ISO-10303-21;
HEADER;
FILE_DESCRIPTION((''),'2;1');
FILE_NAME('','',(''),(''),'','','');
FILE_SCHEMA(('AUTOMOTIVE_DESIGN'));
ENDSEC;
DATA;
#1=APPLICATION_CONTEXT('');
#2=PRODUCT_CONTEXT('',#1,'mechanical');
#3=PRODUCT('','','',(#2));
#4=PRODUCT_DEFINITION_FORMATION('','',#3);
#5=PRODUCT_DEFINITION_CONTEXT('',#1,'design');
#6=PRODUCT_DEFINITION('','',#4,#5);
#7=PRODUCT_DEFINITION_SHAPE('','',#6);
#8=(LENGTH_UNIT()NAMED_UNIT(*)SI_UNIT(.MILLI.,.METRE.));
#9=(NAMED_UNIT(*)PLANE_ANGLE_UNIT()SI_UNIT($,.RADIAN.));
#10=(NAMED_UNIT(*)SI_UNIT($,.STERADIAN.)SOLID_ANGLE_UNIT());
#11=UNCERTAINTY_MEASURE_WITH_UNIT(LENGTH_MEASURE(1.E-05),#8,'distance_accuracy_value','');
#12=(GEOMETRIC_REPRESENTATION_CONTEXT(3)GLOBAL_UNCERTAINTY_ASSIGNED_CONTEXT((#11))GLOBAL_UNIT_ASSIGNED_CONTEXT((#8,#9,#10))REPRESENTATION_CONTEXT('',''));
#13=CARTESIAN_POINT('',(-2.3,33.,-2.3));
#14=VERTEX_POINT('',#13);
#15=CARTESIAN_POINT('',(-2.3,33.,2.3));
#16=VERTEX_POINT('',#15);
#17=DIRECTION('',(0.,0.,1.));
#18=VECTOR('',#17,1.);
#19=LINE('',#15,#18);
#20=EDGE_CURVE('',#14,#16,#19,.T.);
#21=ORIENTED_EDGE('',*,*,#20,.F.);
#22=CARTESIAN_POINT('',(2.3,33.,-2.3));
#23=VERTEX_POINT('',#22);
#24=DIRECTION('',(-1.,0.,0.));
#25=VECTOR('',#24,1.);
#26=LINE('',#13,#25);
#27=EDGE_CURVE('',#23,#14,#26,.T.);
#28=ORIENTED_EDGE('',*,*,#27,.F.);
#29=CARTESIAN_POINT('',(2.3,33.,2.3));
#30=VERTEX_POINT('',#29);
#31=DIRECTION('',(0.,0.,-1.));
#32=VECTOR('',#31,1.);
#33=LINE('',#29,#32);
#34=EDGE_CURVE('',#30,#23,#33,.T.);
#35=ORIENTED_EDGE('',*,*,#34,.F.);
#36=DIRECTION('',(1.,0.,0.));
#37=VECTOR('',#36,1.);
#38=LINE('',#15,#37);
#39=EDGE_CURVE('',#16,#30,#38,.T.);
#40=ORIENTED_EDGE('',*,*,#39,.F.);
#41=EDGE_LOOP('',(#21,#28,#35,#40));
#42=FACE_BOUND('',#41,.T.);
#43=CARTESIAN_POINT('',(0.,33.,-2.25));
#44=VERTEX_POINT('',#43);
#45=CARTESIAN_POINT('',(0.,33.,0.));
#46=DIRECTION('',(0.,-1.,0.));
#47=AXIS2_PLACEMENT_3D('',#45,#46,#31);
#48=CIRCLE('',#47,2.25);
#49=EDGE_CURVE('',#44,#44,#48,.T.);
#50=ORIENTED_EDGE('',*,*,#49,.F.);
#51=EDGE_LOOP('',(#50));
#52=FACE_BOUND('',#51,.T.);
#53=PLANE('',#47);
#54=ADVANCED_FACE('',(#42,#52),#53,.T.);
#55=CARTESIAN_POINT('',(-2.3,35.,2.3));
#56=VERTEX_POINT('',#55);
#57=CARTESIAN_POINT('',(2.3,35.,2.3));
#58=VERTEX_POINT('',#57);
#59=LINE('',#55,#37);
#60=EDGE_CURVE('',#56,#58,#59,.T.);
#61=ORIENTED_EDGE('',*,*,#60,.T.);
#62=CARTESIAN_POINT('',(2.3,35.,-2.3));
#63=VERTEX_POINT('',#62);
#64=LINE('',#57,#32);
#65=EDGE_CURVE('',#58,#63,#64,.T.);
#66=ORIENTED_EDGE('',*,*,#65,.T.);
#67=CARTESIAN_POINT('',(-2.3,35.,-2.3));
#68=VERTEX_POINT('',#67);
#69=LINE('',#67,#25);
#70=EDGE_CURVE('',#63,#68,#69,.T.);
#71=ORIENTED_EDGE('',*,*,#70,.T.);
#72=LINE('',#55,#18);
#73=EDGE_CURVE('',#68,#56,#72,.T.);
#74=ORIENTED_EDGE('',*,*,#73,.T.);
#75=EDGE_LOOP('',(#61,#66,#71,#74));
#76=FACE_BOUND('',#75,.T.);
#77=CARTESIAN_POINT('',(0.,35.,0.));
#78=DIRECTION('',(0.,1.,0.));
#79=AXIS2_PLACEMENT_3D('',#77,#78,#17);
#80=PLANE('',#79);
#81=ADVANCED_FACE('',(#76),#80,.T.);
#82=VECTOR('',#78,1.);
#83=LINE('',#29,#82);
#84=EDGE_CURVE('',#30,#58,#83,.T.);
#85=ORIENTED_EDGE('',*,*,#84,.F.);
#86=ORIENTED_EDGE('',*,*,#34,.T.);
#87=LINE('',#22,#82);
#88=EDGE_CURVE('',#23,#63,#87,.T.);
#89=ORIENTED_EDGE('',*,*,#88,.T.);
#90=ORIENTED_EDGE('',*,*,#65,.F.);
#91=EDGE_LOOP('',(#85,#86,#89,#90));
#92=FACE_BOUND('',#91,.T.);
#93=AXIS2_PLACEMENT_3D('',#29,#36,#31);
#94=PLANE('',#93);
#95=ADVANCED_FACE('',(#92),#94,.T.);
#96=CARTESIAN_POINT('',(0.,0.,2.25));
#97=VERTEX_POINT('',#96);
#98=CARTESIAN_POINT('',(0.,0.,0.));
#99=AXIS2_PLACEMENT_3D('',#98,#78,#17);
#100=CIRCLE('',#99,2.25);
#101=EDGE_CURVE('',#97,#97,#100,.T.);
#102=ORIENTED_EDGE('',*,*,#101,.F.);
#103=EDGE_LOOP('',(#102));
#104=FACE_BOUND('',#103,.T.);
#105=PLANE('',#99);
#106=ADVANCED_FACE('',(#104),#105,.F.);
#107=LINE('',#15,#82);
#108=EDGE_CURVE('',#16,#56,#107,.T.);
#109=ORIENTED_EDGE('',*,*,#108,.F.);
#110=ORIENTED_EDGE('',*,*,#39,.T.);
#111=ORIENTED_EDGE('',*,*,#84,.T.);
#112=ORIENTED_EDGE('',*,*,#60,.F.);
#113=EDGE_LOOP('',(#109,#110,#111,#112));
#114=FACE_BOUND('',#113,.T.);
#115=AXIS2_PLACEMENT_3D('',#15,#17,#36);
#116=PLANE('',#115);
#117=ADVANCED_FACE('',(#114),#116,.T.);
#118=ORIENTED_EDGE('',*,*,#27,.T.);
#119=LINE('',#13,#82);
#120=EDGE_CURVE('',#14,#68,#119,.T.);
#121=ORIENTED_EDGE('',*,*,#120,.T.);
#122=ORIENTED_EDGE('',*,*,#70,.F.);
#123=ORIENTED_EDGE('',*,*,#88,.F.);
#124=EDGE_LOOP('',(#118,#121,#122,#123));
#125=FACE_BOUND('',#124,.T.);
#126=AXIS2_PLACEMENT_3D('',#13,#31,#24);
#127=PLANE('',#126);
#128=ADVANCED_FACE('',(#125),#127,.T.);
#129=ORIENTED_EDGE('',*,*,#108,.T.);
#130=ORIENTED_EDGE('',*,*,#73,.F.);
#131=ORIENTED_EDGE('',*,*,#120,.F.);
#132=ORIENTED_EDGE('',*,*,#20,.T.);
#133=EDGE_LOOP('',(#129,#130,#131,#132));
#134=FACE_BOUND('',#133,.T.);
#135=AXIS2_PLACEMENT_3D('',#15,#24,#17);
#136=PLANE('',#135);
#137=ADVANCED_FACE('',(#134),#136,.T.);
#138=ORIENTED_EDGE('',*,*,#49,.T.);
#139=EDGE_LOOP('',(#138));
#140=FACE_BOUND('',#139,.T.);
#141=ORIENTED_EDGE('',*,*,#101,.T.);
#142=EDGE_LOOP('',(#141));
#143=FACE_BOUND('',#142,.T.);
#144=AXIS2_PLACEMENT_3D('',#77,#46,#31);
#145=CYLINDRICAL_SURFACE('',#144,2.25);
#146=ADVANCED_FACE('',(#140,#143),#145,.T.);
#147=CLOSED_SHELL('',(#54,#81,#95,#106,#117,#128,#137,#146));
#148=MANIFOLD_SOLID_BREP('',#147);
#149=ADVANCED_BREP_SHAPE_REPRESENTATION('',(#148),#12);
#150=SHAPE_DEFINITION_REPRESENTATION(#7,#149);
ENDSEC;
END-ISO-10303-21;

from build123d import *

# Parameters (mm, degrees)
SKETCH1_R           = 2.25
BOSS_EXTRUDE1_DEPTH = 35
SKETCH2_W           = 4.6
SKETCH2_H           = 4.6
BOSS_EXTRUDE2_DEPTH = 2


with BuildPart() as part:
    # Sketch1 → Boss-Extrude1 (new body)
    with BuildSketch(Plane(origin=(0, 0, 0), x_dir=(1, 0, 0), z_dir=(0, 1, 0))):
        with Locations(Location((0, 0, 0), (0, 0, 270))):
            Circle(SKETCH1_R)
    extrude(amount=BOSS_EXTRUDE1_DEPTH)

    # Sketch2 → Boss-Extrude2 (add)
    with BuildSketch(Plane(origin=(0, 35, 0), x_dir=(1, 0, 0), z_dir=(0, 1, 0))):
        Rectangle(SKETCH2_W, SKETCH2_H)
    extrude(amount=-BOSS_EXTRUDE2_DEPTH)


solid = part.part
